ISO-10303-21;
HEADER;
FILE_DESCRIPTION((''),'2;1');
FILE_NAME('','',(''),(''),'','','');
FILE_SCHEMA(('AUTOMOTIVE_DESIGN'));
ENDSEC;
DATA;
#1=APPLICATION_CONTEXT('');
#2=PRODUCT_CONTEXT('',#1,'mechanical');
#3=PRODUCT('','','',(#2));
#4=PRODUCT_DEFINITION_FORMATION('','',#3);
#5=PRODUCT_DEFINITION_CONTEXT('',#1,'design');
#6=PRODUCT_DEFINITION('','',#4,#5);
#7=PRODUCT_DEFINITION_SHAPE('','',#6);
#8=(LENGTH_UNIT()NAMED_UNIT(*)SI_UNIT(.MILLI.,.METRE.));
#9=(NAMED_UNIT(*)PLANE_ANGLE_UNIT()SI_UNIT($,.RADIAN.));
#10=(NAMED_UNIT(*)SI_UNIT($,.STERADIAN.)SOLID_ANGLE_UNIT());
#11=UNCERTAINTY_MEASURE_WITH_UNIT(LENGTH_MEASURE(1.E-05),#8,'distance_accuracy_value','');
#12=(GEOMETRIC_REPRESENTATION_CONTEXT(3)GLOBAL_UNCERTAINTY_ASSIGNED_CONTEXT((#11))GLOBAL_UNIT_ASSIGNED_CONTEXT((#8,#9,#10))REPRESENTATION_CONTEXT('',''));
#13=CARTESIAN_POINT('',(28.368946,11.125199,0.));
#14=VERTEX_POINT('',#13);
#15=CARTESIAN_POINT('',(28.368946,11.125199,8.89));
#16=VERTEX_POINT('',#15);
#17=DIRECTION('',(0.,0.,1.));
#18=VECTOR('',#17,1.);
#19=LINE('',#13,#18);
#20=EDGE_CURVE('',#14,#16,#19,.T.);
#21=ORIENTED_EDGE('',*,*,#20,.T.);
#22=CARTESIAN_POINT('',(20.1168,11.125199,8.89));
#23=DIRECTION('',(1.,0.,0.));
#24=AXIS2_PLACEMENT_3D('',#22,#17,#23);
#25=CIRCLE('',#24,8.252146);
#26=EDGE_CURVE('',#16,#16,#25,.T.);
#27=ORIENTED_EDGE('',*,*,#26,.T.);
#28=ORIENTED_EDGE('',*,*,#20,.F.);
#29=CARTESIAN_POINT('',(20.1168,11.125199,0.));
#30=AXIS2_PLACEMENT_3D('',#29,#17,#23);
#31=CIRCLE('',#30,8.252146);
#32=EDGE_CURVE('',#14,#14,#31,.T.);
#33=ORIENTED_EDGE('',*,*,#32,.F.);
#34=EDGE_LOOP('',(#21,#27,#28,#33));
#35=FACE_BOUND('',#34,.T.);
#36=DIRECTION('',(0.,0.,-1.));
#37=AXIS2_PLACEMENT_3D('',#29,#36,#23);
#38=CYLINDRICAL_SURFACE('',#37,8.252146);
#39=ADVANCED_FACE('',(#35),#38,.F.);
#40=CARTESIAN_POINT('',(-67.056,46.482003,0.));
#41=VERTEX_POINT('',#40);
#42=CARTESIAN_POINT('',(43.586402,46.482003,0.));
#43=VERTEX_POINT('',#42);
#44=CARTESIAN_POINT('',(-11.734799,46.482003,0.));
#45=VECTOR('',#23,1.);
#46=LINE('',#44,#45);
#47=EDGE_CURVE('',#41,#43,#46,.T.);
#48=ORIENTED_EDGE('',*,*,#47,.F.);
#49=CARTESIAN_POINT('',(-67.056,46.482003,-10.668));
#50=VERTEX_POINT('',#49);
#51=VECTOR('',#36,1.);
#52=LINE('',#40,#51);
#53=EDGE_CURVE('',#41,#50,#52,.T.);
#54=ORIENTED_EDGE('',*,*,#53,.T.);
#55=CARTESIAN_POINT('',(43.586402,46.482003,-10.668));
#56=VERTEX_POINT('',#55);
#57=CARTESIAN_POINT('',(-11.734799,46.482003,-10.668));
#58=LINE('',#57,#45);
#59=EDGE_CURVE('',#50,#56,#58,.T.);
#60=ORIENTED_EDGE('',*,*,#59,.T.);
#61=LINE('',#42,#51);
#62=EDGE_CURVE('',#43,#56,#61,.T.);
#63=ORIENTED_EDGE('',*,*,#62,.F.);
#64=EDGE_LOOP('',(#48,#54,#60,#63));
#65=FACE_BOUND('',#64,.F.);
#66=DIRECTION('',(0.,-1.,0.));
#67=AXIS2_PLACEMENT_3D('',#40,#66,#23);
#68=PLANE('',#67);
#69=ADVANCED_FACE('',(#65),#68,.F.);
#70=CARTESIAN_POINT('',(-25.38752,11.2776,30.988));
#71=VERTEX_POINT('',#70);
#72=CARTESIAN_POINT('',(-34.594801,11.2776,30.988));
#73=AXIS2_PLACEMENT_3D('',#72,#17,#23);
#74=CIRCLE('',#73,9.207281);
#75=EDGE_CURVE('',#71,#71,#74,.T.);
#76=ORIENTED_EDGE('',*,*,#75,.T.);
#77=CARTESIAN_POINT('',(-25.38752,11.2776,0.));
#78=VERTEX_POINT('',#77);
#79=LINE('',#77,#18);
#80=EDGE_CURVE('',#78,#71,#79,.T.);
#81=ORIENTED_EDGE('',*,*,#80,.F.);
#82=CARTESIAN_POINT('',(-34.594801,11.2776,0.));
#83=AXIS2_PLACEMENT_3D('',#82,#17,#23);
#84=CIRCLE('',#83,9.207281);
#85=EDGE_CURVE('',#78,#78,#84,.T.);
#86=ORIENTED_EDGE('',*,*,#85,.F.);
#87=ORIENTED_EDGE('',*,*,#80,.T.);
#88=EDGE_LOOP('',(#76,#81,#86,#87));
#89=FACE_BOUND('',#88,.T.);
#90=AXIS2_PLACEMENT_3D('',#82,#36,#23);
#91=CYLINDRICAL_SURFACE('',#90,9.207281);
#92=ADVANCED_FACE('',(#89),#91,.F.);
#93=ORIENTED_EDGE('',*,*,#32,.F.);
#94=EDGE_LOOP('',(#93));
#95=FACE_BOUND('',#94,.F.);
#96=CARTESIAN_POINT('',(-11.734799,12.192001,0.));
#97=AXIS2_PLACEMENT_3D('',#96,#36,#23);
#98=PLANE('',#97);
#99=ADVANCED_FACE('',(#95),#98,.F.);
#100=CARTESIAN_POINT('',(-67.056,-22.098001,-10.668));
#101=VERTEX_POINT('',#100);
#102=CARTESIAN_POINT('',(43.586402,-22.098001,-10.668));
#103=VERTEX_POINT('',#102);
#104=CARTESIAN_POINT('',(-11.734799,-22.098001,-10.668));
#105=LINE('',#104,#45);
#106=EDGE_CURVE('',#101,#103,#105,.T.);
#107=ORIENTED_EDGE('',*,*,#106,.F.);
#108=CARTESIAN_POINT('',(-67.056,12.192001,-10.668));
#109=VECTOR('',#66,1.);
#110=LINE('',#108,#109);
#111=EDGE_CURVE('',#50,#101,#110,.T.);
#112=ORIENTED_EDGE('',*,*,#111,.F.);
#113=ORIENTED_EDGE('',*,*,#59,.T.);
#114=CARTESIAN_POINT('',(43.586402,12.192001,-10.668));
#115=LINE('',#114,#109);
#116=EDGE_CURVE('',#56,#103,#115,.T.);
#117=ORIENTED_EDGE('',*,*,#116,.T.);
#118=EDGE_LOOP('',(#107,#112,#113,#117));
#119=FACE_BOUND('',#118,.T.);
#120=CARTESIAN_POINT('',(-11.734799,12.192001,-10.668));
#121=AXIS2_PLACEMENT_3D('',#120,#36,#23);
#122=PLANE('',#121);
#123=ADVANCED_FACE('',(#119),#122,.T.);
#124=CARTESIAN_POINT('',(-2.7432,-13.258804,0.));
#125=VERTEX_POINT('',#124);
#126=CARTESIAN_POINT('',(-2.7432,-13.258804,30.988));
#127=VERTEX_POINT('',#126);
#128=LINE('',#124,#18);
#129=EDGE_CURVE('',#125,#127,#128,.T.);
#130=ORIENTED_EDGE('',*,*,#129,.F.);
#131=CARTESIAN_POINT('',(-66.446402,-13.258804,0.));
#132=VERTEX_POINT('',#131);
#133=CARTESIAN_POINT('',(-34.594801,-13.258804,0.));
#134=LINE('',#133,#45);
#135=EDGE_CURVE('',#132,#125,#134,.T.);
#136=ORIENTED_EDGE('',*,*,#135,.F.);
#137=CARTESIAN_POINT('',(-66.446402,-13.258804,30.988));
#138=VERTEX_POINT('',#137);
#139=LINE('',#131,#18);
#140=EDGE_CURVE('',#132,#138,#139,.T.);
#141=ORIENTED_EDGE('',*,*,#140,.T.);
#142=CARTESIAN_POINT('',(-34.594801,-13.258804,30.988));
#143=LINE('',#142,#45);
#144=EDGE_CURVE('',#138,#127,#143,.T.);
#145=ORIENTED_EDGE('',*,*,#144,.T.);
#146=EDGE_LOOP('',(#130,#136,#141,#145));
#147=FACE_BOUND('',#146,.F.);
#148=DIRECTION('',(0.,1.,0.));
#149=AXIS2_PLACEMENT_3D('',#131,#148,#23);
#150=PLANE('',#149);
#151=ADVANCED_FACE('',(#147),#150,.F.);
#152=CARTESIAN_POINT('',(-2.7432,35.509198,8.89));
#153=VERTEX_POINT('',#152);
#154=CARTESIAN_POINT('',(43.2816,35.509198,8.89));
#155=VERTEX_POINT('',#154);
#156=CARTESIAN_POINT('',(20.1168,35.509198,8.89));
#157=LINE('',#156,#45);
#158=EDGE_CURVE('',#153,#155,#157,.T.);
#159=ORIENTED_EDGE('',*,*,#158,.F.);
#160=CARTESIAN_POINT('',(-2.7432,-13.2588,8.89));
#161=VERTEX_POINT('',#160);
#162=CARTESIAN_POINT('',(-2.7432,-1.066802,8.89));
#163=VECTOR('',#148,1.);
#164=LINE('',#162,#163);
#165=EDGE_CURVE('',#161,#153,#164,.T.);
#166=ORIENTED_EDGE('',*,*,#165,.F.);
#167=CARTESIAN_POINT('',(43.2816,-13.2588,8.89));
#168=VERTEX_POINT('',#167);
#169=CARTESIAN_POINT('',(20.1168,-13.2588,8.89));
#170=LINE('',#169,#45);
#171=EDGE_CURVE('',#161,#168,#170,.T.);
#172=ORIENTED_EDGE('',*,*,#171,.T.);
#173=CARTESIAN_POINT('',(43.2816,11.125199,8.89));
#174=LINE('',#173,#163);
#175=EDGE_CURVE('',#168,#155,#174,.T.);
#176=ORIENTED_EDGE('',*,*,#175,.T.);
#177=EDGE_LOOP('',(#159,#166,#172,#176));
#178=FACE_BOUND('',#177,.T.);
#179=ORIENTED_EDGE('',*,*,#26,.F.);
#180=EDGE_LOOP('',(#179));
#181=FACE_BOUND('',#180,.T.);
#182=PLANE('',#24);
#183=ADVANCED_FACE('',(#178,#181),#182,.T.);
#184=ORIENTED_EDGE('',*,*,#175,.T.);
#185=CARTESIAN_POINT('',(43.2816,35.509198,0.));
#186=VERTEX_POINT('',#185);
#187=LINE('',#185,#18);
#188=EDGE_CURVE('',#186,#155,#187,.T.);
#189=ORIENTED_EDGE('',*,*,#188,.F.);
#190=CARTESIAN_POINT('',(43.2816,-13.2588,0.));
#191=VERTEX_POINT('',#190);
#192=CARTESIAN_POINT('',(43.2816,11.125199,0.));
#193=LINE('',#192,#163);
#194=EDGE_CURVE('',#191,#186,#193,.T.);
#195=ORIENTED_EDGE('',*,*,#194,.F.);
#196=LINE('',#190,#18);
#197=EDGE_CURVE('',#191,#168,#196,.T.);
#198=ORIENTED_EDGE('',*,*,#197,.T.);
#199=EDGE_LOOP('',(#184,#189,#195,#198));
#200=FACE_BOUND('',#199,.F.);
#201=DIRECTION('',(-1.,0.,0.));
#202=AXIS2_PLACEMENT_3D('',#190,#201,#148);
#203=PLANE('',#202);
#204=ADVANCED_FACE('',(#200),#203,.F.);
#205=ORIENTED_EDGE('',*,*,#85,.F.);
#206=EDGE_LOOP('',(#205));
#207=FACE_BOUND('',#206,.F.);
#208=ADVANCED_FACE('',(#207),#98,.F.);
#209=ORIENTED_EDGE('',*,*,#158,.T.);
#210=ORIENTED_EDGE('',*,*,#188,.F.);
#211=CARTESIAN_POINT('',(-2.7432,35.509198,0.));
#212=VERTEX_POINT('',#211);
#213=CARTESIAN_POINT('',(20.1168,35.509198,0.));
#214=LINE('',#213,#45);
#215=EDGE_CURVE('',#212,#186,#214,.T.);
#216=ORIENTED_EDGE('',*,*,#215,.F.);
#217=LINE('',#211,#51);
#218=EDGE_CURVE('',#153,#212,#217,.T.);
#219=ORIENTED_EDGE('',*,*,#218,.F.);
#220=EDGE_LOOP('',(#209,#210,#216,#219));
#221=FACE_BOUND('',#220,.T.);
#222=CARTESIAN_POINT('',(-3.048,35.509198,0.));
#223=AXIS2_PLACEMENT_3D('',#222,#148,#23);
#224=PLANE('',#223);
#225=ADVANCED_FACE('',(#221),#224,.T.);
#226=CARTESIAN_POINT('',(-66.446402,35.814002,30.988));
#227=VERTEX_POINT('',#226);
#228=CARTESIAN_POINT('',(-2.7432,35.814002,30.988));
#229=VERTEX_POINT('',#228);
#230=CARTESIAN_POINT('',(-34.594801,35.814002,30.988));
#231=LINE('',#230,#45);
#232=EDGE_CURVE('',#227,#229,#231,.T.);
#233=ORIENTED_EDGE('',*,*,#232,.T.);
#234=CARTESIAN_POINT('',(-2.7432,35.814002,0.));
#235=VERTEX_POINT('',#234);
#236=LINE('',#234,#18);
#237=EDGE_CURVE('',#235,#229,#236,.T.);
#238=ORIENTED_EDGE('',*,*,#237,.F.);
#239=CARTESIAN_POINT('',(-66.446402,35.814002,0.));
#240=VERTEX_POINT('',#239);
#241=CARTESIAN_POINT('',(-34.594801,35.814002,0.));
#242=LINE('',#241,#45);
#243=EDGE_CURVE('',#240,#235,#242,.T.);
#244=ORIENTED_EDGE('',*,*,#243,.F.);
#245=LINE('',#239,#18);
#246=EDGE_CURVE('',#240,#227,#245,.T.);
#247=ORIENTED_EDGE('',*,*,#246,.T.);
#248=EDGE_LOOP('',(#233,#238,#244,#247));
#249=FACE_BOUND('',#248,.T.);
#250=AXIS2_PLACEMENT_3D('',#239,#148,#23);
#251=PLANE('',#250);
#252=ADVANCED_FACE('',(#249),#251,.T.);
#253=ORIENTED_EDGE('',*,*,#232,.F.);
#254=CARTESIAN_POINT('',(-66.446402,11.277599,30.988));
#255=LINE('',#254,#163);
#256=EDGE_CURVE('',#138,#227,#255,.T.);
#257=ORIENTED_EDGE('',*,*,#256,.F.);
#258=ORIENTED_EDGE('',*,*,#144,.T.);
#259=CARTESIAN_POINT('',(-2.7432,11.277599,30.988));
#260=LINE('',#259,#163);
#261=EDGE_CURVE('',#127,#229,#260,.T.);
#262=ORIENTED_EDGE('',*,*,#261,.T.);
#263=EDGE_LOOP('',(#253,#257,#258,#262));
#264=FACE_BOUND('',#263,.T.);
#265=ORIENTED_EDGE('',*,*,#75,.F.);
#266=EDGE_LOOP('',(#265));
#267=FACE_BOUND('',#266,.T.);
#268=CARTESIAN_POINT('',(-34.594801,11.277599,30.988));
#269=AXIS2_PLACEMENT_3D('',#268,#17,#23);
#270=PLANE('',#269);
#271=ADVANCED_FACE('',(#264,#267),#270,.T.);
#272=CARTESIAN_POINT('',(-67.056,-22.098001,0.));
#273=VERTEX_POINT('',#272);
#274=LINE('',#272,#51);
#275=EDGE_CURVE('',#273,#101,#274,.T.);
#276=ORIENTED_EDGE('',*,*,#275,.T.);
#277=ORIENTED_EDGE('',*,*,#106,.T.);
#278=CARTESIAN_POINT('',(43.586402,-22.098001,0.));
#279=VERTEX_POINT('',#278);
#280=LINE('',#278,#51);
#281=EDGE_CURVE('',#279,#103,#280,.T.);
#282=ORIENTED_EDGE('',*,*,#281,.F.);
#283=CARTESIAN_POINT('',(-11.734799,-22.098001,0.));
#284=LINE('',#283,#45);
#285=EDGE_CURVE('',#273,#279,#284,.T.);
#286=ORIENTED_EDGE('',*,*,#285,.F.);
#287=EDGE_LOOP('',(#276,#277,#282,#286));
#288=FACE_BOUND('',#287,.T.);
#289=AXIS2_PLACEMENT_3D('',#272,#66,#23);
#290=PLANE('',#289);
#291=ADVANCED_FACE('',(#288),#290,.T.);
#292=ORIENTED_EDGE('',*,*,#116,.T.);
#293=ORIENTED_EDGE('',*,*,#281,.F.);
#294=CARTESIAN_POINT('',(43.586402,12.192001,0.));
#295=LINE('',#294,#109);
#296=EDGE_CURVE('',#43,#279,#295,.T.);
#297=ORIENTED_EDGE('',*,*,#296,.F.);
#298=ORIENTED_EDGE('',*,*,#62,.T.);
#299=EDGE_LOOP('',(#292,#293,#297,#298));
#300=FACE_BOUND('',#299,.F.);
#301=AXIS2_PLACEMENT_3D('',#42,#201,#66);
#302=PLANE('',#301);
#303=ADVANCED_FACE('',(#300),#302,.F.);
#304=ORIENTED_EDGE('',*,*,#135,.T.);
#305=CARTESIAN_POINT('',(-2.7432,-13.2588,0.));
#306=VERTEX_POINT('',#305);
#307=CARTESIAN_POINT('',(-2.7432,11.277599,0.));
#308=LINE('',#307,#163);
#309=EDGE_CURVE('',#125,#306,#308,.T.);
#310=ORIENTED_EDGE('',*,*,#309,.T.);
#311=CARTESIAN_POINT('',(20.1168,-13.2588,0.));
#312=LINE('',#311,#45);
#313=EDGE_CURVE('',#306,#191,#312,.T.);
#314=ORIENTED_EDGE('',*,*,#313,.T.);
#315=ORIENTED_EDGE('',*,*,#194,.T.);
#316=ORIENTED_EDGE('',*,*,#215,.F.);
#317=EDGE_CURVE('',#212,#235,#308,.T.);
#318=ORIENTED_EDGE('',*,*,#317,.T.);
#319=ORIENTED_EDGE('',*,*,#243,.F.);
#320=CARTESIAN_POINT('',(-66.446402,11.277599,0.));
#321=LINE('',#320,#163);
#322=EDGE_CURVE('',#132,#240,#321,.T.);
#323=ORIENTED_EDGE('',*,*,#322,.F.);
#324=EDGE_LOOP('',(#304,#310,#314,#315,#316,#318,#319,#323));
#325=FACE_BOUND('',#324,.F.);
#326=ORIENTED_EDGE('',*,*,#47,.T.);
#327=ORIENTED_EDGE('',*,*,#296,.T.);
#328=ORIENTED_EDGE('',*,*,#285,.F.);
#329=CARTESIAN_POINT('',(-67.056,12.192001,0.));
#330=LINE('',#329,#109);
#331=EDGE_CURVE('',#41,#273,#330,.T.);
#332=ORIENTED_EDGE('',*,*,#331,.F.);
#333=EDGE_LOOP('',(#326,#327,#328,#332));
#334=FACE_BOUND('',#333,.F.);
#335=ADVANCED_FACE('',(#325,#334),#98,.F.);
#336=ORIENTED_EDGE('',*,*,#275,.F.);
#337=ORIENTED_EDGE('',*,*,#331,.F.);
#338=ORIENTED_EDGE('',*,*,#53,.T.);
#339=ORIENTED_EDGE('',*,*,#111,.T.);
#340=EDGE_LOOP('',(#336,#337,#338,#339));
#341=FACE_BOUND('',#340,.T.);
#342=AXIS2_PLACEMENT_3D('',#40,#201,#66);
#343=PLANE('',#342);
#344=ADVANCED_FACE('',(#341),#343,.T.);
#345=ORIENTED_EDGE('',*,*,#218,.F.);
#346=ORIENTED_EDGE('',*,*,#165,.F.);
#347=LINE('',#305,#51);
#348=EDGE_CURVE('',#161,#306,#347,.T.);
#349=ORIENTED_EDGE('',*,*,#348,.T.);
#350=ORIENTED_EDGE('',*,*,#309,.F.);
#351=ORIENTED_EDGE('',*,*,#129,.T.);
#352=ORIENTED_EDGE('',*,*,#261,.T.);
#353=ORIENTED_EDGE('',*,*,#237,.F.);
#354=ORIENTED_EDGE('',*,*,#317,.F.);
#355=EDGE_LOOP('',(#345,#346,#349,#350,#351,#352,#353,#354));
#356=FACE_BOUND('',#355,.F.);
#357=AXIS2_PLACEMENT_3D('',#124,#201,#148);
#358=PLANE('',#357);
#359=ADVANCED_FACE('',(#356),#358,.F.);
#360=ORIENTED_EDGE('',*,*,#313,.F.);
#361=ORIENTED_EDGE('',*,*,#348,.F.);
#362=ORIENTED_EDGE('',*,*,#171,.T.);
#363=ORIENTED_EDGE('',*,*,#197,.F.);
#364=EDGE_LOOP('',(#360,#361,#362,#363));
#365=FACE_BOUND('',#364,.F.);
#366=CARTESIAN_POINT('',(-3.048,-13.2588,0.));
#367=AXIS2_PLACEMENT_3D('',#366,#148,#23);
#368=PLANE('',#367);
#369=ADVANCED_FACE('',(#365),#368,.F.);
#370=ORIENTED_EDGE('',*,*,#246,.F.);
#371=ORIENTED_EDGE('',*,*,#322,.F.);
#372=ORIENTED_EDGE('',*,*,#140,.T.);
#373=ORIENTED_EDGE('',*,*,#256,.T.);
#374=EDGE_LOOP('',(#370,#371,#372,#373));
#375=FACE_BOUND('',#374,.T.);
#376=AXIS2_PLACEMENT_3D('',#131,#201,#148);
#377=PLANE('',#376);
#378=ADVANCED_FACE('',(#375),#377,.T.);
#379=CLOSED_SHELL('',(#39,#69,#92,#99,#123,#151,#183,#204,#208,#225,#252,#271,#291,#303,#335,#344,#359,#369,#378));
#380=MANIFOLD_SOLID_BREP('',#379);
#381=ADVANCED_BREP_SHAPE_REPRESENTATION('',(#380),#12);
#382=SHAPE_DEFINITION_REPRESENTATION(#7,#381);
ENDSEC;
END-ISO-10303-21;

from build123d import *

# Parameters (mm, degrees)
F0_W     = 63.703202
F0_H     = 49.072805
F0_R     = 9.207281
F1_DEPTH = 30.988
F2_W     = 46.3296
F2_H     = 48.767999
F2_R     = 8.252146
F3_DEPTH = 8.89
F4_W     = 110.642403
F4_H     = 68.580005
F5_DEPTH = 10.668


with BuildPart() as f1:
    # F0 (on Top) → F1 (new body)
    with BuildSketch(Plane.XY):
        with Locations((-34.594801, 11.277599)):
            Rectangle(F0_W, F0_H)
        with Locations((-34.594801, 11.2776)):
            Circle(F0_R, mode=Mode.SUBTRACT)
    extrude(amount=F1_DEPTH)

    # F2 (on Top) → F3 (join)
    with BuildSketch(Plane.XY):
        with Locations((20.1168, 11.125199)):
            Rectangle(F2_W, F2_H)
        with Locations((20.1168, 11.125199)):
            Circle(F2_R, mode=Mode.SUBTRACT)
    extrude(amount=F3_DEPTH)

    # F4 (on face) → F5 (join)
    with BuildSketch(Plane(origin=(0, 0, 0), x_dir=(1, 0, 0), z_dir=(0, 0, -1))):
        with Locations((-11.734799, -12.192001)):
            Rectangle(F4_W, F4_H)
    extrude(amount=F5_DEPTH)


solid = f1.part
